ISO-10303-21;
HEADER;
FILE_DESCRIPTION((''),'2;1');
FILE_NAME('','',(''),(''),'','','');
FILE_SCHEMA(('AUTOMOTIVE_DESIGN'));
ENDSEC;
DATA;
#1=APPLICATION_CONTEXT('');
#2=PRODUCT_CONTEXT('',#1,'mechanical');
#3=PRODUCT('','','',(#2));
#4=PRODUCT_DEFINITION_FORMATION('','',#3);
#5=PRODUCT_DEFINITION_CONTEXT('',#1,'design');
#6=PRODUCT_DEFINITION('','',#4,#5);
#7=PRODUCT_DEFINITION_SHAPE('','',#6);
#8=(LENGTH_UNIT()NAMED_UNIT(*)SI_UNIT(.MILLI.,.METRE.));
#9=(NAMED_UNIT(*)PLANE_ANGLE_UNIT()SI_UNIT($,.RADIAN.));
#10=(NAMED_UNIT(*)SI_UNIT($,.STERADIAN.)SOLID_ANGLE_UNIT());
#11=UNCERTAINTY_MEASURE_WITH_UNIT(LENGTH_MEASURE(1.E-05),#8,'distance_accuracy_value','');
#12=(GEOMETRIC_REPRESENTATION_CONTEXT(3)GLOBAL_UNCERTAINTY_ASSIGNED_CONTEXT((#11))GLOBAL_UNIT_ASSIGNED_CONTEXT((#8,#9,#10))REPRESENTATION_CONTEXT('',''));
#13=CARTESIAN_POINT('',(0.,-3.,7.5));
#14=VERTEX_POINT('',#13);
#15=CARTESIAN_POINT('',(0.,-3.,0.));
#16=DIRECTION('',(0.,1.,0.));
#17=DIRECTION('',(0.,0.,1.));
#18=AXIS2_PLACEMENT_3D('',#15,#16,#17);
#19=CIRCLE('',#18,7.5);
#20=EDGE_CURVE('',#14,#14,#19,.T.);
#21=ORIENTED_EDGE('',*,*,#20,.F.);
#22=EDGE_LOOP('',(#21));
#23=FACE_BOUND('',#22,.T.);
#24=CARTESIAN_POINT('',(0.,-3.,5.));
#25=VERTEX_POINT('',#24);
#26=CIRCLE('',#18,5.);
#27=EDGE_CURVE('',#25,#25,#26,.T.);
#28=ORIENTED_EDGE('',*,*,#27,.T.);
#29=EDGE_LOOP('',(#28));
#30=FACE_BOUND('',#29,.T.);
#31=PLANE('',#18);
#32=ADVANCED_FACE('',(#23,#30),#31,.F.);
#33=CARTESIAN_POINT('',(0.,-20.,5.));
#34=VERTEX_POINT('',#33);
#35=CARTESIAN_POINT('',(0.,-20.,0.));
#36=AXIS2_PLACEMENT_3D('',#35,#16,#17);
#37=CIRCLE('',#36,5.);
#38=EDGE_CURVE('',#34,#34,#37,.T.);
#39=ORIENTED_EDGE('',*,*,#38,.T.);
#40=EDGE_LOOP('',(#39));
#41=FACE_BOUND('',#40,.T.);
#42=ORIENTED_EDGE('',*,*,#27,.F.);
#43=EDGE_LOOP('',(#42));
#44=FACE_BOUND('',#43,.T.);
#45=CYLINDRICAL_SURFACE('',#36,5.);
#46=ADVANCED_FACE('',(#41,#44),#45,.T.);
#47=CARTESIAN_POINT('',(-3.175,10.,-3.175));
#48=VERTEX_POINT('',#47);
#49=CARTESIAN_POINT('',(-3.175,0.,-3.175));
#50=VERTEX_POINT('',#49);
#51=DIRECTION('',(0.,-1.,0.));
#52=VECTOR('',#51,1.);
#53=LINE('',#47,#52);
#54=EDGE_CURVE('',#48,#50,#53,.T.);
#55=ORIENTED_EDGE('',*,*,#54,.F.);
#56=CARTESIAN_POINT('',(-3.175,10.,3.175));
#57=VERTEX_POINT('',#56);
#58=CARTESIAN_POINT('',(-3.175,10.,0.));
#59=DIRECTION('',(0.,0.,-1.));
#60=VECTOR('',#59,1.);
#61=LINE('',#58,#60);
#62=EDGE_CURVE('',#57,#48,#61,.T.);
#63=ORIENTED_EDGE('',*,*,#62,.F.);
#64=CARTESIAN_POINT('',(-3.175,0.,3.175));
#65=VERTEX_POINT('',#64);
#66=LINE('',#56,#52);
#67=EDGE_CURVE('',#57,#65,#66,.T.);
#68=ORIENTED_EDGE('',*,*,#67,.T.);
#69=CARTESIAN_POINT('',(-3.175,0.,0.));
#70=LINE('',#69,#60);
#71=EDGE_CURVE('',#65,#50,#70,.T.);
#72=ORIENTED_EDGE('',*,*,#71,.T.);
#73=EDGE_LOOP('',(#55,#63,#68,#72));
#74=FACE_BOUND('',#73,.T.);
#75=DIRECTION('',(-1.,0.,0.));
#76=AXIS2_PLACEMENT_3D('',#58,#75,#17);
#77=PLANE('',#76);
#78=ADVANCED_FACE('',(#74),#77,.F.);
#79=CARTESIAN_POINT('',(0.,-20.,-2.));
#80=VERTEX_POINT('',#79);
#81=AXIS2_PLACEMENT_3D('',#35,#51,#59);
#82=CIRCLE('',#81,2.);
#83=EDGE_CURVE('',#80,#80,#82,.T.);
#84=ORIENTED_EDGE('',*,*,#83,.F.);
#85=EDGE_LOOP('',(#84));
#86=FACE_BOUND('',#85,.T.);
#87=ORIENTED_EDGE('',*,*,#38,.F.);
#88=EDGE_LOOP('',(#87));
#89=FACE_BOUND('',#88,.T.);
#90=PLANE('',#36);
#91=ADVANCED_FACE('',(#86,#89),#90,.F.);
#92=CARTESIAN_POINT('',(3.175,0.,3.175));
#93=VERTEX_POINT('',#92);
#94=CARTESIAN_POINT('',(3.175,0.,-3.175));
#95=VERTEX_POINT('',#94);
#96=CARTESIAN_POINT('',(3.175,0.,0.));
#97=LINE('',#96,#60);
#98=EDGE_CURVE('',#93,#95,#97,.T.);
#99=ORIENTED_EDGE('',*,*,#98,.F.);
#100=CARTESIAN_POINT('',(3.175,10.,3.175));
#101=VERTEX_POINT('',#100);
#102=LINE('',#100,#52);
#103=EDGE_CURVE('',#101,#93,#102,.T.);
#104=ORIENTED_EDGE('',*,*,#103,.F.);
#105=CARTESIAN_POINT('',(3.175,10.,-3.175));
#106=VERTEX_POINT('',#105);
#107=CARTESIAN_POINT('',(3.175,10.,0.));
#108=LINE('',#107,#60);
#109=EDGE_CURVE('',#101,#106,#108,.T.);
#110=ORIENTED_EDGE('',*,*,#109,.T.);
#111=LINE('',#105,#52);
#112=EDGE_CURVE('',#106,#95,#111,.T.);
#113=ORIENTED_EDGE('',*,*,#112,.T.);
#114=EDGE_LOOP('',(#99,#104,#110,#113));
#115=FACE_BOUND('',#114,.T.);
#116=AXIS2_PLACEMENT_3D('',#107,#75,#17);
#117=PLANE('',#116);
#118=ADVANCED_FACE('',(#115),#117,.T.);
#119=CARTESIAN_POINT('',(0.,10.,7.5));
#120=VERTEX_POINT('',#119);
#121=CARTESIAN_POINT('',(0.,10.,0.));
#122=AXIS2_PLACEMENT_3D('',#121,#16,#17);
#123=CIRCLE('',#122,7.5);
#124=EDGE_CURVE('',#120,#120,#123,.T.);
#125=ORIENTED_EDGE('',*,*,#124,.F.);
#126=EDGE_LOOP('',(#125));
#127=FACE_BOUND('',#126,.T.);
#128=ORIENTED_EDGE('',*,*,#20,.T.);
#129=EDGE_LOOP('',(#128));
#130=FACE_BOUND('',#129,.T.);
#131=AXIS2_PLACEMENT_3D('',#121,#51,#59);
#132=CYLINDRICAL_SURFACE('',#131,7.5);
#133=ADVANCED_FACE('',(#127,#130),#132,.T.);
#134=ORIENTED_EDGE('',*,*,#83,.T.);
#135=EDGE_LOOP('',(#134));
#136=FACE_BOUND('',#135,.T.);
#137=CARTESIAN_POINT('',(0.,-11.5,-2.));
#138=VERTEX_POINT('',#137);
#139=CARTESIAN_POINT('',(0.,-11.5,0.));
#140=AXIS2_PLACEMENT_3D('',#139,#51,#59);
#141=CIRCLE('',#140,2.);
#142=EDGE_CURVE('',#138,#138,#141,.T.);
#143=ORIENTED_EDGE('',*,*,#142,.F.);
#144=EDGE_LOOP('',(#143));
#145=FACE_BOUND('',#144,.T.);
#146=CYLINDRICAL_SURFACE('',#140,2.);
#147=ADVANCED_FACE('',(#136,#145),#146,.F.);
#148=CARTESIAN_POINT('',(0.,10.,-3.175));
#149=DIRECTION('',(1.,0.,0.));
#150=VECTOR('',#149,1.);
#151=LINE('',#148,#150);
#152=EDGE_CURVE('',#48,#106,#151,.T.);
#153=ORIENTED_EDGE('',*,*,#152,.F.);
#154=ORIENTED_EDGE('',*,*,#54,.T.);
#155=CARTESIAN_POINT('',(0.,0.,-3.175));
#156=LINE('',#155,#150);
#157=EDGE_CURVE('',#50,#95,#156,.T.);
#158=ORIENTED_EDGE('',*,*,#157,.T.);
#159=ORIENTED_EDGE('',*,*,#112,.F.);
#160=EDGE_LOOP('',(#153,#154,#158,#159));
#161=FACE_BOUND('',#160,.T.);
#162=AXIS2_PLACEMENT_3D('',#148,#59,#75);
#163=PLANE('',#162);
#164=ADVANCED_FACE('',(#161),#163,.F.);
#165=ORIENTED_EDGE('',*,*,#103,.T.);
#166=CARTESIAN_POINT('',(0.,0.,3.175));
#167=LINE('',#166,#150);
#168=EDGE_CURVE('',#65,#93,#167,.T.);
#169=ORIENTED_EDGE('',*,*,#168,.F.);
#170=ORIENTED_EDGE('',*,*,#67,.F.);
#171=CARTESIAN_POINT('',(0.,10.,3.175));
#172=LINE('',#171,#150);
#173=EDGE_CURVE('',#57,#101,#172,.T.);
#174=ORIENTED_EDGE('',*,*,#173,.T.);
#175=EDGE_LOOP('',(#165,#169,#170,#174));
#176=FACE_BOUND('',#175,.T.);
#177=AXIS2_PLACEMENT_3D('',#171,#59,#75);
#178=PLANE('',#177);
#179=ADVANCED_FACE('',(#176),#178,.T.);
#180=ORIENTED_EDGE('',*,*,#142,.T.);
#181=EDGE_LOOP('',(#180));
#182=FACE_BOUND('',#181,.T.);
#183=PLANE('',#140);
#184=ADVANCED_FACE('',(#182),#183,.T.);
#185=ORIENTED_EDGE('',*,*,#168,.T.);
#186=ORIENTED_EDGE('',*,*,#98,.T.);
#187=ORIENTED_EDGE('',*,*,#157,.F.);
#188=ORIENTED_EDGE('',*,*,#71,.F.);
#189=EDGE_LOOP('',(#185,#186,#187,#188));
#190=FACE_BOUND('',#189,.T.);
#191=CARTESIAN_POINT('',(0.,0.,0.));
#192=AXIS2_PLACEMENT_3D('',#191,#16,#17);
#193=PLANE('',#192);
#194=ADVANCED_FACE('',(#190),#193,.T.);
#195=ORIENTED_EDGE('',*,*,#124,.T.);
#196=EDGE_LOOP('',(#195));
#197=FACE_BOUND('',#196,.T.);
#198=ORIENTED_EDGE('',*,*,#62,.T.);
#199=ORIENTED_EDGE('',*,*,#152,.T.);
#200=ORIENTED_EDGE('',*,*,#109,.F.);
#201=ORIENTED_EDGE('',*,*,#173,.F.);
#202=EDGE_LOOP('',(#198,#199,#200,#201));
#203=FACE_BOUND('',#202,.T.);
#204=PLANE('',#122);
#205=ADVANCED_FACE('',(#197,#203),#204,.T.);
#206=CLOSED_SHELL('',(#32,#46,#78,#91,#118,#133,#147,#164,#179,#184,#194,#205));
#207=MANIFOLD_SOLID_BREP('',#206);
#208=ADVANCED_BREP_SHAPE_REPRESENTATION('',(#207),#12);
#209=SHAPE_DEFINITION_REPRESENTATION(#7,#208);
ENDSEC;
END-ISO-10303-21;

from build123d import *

# Parameters (mm, degrees)
SKETCH2_R           = 7.5
SKETCH2_R_2         = 5
SKETCH2_W           = 6.35
SKETCH2_H           = 6.35
BOSS_EXTRUDE1_DEPTH = 10
SKETCH2_4_R         = 5
BOSS_EXTRUDE2_DEPTH = 20
SKETCH2_5_R         = 7.5
SKETCH2_5_R_2       = 5
BOSS_EXTRUDE3_DEPTH = 3
SKETCH3_R           = 2
CUT_EXTRUDE1_DEPTH  = 8.5


with BuildPart() as part:
    # Sketch2 → Boss-Extrude1 (new body)
    with BuildSketch(Plane(origin=(0, 0, 0), x_dir=(1, 0, 0), z_dir=(0, 1, 0))):
        with Locations(Location((0, 0, 0), (0, 0, 270))):
            Circle(SKETCH2_R)
        Circle(SKETCH2_R_2, mode=Mode.SUBTRACT)
        Circle(SKETCH2_R_2)
        Rectangle(SKETCH2_W, SKETCH2_H, mode=Mode.SUBTRACT)
    extrude(amount=BOSS_EXTRUDE1_DEPTH)

    # Sketch2<4> → Boss-Extrude2 (add)
    with BuildSketch(Plane(origin=(0, 0, 0), x_dir=(1, 0, 0), z_dir=(0, 1, 0))):
        with Locations(Location((0, 0, 0), (0, 0, 270))):
            Circle(SKETCH2_4_R)
    extrude(amount=-BOSS_EXTRUDE2_DEPTH)

    # Sketch2<5> → Boss-Extrude3 (add)
    with BuildSketch(Plane(origin=(0, 0, 0), x_dir=(1, 0, 0), z_dir=(0, 1, 0))):
        with Locations(Location((0, 0, 0), (0, 0, 270))):
            Circle(SKETCH2_5_R)
        with Locations(Location((0, 0, 0), (0, 0, 270))):
            Circle(SKETCH2_5_R_2, mode=Mode.SUBTRACT)
    extrude(amount=-BOSS_EXTRUDE3_DEPTH)

    # Sketch3 → Cut-Extrude1 (cut)
    with BuildSketch(Plane.XZ.offset(20)):
        with Locations(Location((0, 0, 0), (0, 0, 270))):
            Circle(SKETCH3_R)
    extrude(amount=-CUT_EXTRUDE1_DEPTH, mode=Mode.SUBTRACT)


solid = part.part
